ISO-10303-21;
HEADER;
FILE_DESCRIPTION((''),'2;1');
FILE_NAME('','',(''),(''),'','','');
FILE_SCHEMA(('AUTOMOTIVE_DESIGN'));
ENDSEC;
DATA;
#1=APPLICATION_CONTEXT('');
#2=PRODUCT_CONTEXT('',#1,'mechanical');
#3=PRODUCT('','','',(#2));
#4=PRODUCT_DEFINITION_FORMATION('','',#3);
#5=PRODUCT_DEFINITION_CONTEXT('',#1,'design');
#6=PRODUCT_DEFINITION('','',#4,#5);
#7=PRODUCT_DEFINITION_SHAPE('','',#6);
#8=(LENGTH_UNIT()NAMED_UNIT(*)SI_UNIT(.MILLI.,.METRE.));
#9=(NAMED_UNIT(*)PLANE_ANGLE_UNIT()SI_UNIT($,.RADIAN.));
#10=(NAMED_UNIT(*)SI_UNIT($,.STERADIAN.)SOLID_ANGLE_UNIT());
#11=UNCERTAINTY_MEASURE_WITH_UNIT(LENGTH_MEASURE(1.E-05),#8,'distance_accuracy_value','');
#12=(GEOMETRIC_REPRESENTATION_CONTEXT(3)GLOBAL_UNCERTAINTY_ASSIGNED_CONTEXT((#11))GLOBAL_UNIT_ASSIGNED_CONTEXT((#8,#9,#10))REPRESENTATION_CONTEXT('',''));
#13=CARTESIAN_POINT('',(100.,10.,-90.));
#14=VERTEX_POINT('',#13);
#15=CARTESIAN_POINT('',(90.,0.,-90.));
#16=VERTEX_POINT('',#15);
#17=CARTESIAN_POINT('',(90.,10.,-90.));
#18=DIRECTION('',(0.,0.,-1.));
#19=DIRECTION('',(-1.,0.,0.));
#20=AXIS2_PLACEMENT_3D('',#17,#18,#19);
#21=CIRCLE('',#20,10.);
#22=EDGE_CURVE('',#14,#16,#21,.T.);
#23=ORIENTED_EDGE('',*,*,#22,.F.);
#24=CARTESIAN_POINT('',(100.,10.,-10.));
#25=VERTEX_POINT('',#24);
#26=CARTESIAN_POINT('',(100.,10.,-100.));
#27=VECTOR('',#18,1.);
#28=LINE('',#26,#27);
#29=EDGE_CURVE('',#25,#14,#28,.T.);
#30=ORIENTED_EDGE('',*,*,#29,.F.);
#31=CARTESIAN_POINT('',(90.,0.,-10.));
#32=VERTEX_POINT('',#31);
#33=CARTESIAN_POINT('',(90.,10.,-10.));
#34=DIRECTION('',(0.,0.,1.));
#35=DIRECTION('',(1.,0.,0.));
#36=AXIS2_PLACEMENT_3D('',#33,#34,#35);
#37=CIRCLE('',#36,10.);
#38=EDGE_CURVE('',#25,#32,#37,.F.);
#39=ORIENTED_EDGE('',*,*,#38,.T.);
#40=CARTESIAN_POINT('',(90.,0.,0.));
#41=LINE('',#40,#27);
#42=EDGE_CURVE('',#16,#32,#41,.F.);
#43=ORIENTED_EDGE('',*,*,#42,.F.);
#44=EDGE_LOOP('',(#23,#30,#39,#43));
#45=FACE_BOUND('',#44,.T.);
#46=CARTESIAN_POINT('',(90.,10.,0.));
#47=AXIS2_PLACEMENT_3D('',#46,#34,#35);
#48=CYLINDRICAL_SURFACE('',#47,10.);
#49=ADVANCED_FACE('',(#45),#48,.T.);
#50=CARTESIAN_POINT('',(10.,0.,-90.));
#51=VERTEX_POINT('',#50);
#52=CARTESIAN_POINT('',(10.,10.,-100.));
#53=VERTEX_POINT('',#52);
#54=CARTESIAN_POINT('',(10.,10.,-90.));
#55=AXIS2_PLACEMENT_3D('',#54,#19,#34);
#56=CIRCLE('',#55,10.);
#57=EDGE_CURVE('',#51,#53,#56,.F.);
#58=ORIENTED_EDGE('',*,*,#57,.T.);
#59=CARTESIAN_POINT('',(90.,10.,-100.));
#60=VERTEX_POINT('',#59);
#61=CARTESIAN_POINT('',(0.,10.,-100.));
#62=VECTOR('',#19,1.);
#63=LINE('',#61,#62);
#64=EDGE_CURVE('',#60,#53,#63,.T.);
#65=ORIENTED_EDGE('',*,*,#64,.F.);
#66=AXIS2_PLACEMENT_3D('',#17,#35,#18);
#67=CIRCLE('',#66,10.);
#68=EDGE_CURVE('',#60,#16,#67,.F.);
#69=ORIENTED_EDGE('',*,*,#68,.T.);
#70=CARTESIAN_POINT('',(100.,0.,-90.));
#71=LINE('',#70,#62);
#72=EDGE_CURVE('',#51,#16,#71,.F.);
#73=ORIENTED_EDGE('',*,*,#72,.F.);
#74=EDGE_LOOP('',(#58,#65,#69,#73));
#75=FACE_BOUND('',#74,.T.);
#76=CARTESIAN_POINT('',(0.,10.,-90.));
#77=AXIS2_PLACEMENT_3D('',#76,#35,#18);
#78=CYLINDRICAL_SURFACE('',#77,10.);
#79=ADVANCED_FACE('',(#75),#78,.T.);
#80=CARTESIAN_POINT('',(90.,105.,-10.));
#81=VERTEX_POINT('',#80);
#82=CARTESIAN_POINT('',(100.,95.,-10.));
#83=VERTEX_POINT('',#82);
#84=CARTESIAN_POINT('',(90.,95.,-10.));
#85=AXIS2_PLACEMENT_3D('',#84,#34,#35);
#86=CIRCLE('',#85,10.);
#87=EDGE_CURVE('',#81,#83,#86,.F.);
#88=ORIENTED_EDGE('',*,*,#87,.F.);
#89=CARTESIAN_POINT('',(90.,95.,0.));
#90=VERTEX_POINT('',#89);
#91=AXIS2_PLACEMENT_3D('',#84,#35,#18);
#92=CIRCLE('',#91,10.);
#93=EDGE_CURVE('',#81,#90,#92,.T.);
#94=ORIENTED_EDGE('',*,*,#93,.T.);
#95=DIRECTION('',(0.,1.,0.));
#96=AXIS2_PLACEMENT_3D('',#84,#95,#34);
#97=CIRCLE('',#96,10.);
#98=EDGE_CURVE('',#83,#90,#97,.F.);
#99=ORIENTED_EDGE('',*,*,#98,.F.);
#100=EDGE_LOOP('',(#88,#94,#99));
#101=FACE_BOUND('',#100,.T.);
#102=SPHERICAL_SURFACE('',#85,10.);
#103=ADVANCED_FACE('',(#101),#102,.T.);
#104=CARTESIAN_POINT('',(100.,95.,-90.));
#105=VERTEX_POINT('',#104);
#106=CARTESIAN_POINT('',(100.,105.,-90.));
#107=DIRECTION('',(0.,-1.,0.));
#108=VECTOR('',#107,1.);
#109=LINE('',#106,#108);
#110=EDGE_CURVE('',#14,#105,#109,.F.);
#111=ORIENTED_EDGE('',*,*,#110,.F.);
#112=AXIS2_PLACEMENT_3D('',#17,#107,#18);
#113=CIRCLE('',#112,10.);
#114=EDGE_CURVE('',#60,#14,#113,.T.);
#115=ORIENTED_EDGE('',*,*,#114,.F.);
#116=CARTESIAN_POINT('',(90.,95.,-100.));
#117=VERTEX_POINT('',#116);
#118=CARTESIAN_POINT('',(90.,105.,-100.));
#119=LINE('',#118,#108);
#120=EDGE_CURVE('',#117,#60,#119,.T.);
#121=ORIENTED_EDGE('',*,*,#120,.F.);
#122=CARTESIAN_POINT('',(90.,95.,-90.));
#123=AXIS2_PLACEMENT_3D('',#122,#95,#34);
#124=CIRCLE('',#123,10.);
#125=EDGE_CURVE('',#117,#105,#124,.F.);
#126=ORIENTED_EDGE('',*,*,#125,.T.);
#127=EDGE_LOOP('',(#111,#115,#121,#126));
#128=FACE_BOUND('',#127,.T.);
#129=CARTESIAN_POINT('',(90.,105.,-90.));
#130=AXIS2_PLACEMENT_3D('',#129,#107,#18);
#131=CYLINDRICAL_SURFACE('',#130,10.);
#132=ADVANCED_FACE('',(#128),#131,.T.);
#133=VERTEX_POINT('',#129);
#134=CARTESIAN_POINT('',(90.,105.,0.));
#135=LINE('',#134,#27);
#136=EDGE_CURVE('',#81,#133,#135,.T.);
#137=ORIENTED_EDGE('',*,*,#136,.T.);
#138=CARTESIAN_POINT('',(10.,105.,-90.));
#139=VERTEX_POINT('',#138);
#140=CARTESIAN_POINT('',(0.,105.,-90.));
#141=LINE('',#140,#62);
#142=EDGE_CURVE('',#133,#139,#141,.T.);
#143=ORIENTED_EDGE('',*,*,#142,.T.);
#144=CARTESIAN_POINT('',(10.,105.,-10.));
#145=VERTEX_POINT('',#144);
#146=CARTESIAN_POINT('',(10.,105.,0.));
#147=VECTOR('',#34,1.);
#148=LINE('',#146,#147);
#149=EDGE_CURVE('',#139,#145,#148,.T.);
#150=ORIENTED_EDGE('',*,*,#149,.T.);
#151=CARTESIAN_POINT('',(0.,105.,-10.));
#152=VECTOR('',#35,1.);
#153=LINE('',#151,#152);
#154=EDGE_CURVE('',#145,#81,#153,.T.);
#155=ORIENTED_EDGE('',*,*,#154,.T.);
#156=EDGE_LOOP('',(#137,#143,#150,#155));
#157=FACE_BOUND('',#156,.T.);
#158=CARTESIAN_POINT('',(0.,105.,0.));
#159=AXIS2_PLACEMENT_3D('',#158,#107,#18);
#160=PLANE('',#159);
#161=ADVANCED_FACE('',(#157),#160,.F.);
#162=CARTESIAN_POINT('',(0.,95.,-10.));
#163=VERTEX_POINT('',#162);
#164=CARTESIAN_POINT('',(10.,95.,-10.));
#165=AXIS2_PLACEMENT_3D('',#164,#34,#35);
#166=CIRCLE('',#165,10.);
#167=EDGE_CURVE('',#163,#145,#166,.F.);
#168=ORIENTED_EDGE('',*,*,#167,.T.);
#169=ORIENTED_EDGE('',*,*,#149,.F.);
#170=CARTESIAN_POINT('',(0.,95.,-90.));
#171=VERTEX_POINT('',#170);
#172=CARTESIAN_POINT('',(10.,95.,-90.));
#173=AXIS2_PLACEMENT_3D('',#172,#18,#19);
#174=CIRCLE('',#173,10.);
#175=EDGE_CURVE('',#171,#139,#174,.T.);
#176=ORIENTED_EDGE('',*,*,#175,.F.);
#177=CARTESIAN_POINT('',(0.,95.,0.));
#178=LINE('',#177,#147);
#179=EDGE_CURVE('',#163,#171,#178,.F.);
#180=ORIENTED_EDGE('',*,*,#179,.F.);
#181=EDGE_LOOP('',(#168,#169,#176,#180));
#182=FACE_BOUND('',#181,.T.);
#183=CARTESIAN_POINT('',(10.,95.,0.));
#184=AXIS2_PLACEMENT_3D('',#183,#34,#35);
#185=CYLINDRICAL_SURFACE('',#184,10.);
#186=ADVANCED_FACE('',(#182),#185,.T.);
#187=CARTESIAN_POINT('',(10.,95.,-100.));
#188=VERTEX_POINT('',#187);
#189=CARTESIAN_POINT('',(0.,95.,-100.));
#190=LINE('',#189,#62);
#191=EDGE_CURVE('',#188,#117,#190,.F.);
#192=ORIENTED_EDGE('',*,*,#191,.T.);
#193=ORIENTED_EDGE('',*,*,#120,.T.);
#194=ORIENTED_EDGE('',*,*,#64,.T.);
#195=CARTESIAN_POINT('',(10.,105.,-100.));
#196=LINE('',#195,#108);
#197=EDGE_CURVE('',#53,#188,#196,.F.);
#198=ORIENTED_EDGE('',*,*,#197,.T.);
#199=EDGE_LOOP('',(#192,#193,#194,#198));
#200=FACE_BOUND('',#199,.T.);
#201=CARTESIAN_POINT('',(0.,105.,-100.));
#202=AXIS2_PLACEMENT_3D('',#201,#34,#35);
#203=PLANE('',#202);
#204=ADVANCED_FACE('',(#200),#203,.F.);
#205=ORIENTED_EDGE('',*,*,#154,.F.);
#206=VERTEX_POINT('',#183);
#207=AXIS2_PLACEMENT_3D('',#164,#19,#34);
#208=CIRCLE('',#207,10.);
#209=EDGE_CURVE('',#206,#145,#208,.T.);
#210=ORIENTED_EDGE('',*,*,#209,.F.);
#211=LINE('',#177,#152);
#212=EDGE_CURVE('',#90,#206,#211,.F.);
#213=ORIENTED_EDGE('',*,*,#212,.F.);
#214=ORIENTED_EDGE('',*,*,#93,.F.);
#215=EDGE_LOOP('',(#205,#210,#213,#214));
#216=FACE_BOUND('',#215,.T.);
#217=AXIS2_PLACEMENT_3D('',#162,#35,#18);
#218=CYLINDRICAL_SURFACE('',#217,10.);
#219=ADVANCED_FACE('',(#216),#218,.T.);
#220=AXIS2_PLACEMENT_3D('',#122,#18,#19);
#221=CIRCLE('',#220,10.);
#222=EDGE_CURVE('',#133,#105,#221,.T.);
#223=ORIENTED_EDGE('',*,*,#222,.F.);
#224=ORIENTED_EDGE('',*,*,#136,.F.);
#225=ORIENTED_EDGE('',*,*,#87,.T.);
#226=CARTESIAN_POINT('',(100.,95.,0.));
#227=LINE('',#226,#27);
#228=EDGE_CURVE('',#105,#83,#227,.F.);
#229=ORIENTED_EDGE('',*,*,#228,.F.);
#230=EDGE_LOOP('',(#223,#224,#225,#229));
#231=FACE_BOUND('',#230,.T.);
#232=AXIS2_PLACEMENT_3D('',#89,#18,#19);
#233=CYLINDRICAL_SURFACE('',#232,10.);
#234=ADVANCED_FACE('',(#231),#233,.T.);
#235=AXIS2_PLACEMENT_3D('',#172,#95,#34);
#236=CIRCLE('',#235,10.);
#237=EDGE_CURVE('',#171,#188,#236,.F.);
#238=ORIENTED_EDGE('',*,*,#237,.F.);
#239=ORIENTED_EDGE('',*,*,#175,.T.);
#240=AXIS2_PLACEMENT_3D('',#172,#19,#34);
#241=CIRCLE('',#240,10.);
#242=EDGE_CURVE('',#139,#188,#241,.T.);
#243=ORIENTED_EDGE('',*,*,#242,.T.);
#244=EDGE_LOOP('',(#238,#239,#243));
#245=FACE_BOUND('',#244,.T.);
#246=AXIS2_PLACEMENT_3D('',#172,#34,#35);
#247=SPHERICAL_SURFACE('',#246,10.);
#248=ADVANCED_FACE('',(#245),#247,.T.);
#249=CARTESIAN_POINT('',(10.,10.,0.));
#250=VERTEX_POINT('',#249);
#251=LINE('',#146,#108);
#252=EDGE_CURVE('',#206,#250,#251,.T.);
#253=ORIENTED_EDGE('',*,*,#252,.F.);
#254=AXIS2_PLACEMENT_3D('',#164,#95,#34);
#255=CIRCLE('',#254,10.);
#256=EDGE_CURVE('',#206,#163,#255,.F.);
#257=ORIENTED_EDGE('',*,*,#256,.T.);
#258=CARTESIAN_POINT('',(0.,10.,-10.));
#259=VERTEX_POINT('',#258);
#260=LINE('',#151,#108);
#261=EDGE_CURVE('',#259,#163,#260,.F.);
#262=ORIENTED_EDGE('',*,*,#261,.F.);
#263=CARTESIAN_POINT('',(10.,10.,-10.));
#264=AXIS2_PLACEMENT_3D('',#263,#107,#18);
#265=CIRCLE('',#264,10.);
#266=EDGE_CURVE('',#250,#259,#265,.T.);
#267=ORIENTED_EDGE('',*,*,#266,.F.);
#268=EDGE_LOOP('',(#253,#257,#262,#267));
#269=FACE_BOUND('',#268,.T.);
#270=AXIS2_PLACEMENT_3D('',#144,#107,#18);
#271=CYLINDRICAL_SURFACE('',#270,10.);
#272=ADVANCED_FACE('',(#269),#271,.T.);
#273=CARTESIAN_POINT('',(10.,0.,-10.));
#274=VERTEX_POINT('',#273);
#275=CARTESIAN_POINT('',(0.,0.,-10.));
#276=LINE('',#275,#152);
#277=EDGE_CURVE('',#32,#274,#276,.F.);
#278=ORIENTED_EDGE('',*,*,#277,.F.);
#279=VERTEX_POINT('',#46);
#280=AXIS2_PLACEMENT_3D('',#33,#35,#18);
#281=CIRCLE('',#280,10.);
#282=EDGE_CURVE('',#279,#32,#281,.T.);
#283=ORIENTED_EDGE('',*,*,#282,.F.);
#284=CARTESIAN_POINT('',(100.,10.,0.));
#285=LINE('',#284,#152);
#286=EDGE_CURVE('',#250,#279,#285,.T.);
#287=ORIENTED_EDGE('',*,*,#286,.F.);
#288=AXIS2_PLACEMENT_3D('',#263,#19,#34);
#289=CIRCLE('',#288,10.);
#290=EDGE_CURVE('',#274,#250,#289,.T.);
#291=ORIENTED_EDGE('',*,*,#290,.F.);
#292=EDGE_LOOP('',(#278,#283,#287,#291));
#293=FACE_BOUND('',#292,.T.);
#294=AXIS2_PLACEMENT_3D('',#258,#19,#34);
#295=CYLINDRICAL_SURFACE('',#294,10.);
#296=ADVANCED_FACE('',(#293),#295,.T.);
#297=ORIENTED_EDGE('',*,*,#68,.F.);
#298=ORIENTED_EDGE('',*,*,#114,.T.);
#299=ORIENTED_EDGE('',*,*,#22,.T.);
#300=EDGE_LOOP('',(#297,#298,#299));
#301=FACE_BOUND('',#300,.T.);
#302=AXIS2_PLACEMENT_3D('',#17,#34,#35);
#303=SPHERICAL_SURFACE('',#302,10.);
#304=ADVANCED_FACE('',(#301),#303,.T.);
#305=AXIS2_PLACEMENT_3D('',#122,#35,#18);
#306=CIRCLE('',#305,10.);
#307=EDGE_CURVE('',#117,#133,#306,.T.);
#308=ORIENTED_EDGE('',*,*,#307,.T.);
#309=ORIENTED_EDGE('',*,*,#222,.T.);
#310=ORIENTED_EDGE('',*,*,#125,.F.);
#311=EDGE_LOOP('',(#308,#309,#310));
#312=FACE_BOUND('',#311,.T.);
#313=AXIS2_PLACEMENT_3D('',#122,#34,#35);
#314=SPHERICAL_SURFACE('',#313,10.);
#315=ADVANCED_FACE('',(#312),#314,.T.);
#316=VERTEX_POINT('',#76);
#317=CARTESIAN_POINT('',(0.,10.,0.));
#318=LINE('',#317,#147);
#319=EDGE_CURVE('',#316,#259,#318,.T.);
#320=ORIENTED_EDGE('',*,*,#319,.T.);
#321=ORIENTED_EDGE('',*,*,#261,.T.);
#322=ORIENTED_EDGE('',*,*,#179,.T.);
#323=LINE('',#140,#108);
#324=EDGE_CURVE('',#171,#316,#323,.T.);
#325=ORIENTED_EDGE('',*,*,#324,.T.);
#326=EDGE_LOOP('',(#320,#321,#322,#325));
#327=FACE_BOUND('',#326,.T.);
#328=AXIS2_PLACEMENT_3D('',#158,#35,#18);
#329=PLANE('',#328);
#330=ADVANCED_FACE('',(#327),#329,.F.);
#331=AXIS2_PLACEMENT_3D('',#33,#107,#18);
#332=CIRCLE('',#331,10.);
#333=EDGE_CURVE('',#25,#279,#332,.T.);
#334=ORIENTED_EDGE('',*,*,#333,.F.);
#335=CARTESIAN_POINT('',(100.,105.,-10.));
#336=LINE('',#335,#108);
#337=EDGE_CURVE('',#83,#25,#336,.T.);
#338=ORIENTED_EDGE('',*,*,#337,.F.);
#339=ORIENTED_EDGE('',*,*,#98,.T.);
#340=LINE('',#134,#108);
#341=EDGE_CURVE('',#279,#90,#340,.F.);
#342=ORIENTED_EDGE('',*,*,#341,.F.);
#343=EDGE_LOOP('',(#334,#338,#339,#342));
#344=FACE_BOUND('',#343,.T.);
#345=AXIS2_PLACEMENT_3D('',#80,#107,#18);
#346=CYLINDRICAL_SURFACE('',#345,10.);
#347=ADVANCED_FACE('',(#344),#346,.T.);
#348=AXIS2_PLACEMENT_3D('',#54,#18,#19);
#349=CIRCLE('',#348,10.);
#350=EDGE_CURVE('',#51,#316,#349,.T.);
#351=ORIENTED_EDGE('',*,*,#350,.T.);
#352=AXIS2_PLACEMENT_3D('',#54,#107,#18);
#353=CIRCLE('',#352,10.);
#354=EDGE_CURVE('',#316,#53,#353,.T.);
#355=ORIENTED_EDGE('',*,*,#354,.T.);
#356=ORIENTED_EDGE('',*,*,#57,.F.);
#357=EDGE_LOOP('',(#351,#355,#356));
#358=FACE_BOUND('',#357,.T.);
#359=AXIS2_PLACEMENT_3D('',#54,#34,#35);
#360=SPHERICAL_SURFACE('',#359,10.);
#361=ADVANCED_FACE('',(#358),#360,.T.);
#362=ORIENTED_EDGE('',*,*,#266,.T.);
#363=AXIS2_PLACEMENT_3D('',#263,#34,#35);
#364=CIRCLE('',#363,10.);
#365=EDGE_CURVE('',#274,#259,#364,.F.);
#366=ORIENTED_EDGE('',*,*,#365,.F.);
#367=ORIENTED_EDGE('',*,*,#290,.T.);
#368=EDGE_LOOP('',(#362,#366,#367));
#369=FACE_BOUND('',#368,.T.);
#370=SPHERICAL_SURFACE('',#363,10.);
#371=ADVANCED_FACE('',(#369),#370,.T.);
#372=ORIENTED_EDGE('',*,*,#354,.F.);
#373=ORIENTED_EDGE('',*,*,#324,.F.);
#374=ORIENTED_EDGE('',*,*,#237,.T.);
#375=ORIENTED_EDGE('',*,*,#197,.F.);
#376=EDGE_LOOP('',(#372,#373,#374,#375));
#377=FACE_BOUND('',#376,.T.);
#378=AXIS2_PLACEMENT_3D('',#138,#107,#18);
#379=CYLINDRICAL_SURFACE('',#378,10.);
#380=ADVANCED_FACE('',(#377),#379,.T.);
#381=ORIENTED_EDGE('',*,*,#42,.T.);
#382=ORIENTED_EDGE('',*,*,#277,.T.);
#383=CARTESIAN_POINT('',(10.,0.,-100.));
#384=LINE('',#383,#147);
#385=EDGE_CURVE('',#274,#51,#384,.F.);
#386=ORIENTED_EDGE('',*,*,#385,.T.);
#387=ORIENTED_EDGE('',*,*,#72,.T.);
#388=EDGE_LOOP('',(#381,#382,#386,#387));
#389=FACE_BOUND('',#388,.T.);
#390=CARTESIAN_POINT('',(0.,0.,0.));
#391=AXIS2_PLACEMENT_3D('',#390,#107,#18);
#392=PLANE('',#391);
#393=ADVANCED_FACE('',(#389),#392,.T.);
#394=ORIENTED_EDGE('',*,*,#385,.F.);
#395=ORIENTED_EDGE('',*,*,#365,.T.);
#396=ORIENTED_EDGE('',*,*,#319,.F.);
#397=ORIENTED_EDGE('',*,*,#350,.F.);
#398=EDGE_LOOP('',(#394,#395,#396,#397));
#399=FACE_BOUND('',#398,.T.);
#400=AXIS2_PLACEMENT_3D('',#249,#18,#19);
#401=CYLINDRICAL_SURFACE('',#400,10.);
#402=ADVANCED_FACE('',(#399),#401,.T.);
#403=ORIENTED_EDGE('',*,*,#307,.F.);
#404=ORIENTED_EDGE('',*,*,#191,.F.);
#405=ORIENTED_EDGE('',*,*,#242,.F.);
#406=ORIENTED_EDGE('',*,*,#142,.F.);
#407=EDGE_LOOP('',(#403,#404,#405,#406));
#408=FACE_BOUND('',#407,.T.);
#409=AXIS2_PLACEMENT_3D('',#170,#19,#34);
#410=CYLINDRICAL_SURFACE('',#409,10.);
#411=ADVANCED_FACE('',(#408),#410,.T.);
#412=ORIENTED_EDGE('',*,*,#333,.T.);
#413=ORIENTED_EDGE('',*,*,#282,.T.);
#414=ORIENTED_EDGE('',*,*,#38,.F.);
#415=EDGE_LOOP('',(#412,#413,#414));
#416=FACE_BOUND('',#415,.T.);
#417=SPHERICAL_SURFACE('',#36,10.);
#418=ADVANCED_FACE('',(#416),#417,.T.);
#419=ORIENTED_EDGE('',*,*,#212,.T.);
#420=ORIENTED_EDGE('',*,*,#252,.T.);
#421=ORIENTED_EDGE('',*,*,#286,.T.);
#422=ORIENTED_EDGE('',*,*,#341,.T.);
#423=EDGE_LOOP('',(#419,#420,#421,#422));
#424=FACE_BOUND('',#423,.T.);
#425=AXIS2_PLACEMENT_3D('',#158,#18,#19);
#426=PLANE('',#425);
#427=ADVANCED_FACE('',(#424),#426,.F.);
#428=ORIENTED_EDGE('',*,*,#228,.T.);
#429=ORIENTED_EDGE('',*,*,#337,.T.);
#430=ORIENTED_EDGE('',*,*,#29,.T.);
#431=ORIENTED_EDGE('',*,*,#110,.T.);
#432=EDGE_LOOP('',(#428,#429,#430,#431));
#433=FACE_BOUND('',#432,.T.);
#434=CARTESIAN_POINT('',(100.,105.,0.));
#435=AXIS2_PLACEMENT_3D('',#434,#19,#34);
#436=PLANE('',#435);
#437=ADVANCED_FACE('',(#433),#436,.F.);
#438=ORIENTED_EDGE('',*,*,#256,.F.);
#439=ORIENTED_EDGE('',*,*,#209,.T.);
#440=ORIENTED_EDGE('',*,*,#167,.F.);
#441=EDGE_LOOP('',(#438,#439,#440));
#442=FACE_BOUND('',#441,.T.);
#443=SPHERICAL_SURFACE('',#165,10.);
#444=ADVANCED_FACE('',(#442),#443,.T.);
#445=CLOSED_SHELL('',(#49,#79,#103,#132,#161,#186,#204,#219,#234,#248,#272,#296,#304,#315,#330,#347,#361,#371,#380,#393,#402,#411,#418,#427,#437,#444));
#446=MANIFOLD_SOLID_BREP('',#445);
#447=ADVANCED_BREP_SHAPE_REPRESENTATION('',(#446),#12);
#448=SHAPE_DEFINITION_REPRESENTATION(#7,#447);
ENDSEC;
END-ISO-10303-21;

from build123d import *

# Parameters (mm, degrees)
SKETCH1_W           = 100
SKETCH1_H           = 100
BOSS_EXTRUDE1_DEPTH = 105
FILLET1_R           = 10


with BuildPart() as part:
    # Sketch1 → Boss-Extrude1 (new body)
    with BuildSketch(Plane(origin=(0, 0, 0), x_dir=(1, 0, 0), z_dir=(0, 1, 0))):
        with Locations((50, 50)):
            Rectangle(SKETCH1_W, SKETCH1_H)
    extrude(amount=BOSS_EXTRUDE1_DEPTH)

    # Fillet1
    fillet1_edges = [part.edges().sort_by_distance(p)[0] for p in [
        (100, 105, -50),
        (50, 105, -100),
        (0, 105, -50),
        (50, 0, -100),
        (100, 0, -50),
        (50, 0, 0),
        (0, 0, -50),
        (0, 52.5, -100),
        (100, 52.5, -100),
        (100, 52.5, 0),
        (0, 52.5, 0),
        (50, 105, 0),
    ]]
    fillet(fillet1_edges, radius=FILLET1_R)


solid = part.part
